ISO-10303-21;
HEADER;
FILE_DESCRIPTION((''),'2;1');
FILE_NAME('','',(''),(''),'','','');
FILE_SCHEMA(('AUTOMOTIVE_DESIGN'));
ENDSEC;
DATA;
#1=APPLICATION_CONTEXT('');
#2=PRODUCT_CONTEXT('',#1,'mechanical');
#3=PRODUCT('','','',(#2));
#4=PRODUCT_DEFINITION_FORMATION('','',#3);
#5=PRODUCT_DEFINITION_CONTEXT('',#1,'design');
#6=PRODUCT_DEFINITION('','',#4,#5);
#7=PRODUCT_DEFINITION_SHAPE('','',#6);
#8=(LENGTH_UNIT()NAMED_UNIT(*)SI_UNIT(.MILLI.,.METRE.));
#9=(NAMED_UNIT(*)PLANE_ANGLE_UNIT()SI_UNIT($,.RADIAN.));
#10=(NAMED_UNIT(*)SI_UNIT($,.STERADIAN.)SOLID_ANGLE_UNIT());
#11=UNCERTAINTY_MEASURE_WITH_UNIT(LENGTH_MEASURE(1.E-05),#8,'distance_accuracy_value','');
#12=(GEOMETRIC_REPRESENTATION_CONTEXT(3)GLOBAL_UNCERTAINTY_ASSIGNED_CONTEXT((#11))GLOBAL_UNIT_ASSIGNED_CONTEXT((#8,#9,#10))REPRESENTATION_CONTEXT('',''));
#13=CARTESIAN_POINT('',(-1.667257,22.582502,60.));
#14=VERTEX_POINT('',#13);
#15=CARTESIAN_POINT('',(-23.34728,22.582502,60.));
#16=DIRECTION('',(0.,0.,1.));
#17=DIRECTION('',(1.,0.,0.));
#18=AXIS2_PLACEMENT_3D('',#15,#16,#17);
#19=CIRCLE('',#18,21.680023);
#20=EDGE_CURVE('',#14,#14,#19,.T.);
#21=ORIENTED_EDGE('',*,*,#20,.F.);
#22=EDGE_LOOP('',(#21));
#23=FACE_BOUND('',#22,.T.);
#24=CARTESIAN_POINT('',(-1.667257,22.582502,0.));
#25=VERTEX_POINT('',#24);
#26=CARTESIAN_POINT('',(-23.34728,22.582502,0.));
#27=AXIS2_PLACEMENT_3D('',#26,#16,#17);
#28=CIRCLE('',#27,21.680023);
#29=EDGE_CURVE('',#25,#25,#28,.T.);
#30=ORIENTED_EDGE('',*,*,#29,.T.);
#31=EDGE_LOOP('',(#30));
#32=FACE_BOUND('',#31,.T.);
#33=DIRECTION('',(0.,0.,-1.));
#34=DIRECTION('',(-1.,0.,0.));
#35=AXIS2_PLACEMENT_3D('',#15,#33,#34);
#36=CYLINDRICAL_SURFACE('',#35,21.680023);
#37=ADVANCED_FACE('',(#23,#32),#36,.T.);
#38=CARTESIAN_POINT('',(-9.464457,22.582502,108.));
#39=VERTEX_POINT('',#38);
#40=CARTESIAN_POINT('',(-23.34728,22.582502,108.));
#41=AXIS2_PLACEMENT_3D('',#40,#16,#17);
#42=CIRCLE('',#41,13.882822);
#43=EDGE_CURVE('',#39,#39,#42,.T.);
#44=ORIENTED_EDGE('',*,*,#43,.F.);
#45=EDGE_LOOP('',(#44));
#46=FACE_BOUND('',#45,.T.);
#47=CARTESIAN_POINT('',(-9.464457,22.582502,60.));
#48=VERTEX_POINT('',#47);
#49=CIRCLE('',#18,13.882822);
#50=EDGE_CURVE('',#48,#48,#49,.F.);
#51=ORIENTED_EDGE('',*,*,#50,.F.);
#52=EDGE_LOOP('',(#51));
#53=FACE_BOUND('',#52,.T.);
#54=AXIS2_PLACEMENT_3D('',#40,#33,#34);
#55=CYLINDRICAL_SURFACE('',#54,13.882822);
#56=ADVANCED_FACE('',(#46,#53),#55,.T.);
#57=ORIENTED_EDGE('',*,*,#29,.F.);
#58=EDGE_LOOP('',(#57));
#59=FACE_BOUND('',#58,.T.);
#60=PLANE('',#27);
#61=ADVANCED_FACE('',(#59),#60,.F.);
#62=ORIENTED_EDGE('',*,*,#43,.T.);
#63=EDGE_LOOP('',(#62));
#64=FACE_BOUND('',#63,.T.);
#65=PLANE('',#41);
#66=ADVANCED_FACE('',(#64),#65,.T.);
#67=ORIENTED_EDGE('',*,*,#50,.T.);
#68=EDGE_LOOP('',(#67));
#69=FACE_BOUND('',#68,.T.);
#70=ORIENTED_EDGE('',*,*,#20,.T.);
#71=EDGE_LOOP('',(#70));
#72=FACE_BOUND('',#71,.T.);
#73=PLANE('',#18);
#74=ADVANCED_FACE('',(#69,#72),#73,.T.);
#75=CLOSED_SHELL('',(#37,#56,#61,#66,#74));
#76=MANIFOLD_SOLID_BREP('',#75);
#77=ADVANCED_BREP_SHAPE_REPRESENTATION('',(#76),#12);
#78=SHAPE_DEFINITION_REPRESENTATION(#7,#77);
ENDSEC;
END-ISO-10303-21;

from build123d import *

# Parameters (mm, degrees)
SKETCH2_R           = 21.680023012
BOSS_EXTRUDE1_DEPTH = 60
SKETCH4_R           = 13.88282231
BOSS_EXTRUDE2_DEPTH = 108


with BuildPart() as part:
    # Sketch2 → Boss-Extrude1 (new body)
    with BuildSketch(Plane.XY):
        with Locations((-23.347279537, 22.582502292)):
            Circle(SKETCH2_R)
    extrude(amount=BOSS_EXTRUDE1_DEPTH)

    # Sketch4 → Boss-Extrude2 (add)
    with BuildSketch(Plane.XY):
        with Locations((-23.347279537, 22.582502292)):
            Circle(SKETCH4_R)
    extrude(amount=BOSS_EXTRUDE2_DEPTH)


solid = part.part
